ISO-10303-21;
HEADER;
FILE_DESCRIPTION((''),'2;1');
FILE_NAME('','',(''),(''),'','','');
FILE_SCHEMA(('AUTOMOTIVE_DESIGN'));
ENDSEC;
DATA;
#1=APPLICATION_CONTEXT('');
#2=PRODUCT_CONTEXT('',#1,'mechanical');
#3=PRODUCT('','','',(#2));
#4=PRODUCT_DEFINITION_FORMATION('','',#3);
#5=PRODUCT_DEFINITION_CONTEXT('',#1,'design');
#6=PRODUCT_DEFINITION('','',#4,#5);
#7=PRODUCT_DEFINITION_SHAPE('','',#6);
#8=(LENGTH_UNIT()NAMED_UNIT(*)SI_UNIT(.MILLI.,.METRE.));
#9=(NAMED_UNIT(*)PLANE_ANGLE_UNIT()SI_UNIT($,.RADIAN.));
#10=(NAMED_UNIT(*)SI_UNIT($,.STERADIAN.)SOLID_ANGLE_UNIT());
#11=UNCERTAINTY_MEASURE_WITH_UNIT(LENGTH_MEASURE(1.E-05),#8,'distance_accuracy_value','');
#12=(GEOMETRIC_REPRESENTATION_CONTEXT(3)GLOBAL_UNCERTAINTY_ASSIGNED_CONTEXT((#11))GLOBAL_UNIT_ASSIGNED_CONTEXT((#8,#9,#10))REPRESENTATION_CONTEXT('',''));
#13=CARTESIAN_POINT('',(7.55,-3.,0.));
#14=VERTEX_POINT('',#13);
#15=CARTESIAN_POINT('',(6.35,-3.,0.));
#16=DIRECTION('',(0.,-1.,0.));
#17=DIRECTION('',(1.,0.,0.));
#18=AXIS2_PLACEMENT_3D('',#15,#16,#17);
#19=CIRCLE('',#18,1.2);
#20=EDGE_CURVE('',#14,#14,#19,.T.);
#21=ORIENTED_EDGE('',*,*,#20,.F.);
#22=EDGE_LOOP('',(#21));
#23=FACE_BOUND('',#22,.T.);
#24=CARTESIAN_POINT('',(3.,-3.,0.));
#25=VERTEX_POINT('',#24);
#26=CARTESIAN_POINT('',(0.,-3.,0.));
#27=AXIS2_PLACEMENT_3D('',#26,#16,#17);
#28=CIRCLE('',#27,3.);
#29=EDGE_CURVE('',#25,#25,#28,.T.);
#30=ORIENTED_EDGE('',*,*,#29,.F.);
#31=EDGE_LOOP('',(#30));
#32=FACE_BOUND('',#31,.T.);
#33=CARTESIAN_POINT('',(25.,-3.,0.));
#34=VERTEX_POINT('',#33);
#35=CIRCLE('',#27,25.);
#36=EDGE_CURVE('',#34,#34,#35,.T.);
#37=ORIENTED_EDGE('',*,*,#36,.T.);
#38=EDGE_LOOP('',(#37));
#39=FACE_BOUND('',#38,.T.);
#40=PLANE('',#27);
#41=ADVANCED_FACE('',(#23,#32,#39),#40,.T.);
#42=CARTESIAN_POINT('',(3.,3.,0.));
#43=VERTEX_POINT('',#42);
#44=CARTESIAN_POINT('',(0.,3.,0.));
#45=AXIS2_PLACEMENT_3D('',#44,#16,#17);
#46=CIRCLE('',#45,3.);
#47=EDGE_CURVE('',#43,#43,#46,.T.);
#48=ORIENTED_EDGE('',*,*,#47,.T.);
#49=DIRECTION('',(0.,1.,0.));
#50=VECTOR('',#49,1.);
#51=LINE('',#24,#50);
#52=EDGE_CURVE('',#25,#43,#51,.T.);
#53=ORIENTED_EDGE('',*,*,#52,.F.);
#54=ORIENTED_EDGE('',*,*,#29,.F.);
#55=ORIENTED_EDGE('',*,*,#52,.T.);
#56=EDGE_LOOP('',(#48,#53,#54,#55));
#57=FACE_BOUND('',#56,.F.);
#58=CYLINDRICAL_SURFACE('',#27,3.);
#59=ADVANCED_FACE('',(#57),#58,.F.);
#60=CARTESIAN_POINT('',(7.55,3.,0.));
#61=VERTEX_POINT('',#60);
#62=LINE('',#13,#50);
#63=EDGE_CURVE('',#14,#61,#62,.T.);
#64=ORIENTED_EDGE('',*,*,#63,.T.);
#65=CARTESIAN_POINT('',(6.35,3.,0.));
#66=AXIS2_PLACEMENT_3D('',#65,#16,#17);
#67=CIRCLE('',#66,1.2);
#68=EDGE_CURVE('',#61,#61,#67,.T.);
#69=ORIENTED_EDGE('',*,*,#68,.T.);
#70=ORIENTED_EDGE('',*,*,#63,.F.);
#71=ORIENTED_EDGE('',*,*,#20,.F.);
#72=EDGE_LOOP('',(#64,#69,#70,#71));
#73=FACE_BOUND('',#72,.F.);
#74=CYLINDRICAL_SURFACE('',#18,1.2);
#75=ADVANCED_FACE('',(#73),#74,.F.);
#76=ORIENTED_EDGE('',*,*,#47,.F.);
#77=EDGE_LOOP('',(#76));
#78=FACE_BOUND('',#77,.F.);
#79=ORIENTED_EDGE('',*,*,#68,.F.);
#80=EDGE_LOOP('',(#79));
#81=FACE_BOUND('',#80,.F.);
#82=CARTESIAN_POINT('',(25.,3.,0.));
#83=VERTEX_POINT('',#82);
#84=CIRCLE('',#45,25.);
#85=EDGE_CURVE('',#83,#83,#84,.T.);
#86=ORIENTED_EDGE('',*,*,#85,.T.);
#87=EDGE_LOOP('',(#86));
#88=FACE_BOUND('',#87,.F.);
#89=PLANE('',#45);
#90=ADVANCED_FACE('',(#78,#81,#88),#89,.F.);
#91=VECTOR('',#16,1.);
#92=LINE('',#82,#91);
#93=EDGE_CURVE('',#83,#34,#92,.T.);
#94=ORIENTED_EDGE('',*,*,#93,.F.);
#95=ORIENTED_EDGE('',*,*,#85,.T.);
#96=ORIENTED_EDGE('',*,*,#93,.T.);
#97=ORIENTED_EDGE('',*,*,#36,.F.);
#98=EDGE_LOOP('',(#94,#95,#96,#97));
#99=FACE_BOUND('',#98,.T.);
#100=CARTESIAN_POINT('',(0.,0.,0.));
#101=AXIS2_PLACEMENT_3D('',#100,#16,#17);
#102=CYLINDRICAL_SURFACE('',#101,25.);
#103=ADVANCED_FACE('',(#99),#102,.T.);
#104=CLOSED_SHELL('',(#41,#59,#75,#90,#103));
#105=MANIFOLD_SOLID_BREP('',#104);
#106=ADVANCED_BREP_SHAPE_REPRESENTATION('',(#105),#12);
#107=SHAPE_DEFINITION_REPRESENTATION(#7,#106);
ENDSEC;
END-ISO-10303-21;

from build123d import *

# Parameters (mm, degrees)
F0_R          = 25
F1_DEPTH      = 3
F1_DEPTH_BACK = 3
F2_R          = 3
F2_R_2        = 1.2
F3_DEPTH      = 6.001


with BuildPart() as f1:
    # F0 (on Front) → F1 (new body, two sides)
    with BuildSketch(Plane.XZ) as f1_sk:
        Circle(F0_R)
    extrude(amount=F1_DEPTH)
    extrude(f1_sk.sketch, amount=-F1_DEPTH_BACK)

    # F2 (on face) → F3 (cut, through all)
    with BuildSketch(Plane.XZ.offset(3)):
        Circle(F2_R)
        with Locations((6.35, 0)):
            Circle(F2_R_2)
    extrude(amount=-F3_DEPTH, mode=Mode.SUBTRACT)


solid = f1.part
